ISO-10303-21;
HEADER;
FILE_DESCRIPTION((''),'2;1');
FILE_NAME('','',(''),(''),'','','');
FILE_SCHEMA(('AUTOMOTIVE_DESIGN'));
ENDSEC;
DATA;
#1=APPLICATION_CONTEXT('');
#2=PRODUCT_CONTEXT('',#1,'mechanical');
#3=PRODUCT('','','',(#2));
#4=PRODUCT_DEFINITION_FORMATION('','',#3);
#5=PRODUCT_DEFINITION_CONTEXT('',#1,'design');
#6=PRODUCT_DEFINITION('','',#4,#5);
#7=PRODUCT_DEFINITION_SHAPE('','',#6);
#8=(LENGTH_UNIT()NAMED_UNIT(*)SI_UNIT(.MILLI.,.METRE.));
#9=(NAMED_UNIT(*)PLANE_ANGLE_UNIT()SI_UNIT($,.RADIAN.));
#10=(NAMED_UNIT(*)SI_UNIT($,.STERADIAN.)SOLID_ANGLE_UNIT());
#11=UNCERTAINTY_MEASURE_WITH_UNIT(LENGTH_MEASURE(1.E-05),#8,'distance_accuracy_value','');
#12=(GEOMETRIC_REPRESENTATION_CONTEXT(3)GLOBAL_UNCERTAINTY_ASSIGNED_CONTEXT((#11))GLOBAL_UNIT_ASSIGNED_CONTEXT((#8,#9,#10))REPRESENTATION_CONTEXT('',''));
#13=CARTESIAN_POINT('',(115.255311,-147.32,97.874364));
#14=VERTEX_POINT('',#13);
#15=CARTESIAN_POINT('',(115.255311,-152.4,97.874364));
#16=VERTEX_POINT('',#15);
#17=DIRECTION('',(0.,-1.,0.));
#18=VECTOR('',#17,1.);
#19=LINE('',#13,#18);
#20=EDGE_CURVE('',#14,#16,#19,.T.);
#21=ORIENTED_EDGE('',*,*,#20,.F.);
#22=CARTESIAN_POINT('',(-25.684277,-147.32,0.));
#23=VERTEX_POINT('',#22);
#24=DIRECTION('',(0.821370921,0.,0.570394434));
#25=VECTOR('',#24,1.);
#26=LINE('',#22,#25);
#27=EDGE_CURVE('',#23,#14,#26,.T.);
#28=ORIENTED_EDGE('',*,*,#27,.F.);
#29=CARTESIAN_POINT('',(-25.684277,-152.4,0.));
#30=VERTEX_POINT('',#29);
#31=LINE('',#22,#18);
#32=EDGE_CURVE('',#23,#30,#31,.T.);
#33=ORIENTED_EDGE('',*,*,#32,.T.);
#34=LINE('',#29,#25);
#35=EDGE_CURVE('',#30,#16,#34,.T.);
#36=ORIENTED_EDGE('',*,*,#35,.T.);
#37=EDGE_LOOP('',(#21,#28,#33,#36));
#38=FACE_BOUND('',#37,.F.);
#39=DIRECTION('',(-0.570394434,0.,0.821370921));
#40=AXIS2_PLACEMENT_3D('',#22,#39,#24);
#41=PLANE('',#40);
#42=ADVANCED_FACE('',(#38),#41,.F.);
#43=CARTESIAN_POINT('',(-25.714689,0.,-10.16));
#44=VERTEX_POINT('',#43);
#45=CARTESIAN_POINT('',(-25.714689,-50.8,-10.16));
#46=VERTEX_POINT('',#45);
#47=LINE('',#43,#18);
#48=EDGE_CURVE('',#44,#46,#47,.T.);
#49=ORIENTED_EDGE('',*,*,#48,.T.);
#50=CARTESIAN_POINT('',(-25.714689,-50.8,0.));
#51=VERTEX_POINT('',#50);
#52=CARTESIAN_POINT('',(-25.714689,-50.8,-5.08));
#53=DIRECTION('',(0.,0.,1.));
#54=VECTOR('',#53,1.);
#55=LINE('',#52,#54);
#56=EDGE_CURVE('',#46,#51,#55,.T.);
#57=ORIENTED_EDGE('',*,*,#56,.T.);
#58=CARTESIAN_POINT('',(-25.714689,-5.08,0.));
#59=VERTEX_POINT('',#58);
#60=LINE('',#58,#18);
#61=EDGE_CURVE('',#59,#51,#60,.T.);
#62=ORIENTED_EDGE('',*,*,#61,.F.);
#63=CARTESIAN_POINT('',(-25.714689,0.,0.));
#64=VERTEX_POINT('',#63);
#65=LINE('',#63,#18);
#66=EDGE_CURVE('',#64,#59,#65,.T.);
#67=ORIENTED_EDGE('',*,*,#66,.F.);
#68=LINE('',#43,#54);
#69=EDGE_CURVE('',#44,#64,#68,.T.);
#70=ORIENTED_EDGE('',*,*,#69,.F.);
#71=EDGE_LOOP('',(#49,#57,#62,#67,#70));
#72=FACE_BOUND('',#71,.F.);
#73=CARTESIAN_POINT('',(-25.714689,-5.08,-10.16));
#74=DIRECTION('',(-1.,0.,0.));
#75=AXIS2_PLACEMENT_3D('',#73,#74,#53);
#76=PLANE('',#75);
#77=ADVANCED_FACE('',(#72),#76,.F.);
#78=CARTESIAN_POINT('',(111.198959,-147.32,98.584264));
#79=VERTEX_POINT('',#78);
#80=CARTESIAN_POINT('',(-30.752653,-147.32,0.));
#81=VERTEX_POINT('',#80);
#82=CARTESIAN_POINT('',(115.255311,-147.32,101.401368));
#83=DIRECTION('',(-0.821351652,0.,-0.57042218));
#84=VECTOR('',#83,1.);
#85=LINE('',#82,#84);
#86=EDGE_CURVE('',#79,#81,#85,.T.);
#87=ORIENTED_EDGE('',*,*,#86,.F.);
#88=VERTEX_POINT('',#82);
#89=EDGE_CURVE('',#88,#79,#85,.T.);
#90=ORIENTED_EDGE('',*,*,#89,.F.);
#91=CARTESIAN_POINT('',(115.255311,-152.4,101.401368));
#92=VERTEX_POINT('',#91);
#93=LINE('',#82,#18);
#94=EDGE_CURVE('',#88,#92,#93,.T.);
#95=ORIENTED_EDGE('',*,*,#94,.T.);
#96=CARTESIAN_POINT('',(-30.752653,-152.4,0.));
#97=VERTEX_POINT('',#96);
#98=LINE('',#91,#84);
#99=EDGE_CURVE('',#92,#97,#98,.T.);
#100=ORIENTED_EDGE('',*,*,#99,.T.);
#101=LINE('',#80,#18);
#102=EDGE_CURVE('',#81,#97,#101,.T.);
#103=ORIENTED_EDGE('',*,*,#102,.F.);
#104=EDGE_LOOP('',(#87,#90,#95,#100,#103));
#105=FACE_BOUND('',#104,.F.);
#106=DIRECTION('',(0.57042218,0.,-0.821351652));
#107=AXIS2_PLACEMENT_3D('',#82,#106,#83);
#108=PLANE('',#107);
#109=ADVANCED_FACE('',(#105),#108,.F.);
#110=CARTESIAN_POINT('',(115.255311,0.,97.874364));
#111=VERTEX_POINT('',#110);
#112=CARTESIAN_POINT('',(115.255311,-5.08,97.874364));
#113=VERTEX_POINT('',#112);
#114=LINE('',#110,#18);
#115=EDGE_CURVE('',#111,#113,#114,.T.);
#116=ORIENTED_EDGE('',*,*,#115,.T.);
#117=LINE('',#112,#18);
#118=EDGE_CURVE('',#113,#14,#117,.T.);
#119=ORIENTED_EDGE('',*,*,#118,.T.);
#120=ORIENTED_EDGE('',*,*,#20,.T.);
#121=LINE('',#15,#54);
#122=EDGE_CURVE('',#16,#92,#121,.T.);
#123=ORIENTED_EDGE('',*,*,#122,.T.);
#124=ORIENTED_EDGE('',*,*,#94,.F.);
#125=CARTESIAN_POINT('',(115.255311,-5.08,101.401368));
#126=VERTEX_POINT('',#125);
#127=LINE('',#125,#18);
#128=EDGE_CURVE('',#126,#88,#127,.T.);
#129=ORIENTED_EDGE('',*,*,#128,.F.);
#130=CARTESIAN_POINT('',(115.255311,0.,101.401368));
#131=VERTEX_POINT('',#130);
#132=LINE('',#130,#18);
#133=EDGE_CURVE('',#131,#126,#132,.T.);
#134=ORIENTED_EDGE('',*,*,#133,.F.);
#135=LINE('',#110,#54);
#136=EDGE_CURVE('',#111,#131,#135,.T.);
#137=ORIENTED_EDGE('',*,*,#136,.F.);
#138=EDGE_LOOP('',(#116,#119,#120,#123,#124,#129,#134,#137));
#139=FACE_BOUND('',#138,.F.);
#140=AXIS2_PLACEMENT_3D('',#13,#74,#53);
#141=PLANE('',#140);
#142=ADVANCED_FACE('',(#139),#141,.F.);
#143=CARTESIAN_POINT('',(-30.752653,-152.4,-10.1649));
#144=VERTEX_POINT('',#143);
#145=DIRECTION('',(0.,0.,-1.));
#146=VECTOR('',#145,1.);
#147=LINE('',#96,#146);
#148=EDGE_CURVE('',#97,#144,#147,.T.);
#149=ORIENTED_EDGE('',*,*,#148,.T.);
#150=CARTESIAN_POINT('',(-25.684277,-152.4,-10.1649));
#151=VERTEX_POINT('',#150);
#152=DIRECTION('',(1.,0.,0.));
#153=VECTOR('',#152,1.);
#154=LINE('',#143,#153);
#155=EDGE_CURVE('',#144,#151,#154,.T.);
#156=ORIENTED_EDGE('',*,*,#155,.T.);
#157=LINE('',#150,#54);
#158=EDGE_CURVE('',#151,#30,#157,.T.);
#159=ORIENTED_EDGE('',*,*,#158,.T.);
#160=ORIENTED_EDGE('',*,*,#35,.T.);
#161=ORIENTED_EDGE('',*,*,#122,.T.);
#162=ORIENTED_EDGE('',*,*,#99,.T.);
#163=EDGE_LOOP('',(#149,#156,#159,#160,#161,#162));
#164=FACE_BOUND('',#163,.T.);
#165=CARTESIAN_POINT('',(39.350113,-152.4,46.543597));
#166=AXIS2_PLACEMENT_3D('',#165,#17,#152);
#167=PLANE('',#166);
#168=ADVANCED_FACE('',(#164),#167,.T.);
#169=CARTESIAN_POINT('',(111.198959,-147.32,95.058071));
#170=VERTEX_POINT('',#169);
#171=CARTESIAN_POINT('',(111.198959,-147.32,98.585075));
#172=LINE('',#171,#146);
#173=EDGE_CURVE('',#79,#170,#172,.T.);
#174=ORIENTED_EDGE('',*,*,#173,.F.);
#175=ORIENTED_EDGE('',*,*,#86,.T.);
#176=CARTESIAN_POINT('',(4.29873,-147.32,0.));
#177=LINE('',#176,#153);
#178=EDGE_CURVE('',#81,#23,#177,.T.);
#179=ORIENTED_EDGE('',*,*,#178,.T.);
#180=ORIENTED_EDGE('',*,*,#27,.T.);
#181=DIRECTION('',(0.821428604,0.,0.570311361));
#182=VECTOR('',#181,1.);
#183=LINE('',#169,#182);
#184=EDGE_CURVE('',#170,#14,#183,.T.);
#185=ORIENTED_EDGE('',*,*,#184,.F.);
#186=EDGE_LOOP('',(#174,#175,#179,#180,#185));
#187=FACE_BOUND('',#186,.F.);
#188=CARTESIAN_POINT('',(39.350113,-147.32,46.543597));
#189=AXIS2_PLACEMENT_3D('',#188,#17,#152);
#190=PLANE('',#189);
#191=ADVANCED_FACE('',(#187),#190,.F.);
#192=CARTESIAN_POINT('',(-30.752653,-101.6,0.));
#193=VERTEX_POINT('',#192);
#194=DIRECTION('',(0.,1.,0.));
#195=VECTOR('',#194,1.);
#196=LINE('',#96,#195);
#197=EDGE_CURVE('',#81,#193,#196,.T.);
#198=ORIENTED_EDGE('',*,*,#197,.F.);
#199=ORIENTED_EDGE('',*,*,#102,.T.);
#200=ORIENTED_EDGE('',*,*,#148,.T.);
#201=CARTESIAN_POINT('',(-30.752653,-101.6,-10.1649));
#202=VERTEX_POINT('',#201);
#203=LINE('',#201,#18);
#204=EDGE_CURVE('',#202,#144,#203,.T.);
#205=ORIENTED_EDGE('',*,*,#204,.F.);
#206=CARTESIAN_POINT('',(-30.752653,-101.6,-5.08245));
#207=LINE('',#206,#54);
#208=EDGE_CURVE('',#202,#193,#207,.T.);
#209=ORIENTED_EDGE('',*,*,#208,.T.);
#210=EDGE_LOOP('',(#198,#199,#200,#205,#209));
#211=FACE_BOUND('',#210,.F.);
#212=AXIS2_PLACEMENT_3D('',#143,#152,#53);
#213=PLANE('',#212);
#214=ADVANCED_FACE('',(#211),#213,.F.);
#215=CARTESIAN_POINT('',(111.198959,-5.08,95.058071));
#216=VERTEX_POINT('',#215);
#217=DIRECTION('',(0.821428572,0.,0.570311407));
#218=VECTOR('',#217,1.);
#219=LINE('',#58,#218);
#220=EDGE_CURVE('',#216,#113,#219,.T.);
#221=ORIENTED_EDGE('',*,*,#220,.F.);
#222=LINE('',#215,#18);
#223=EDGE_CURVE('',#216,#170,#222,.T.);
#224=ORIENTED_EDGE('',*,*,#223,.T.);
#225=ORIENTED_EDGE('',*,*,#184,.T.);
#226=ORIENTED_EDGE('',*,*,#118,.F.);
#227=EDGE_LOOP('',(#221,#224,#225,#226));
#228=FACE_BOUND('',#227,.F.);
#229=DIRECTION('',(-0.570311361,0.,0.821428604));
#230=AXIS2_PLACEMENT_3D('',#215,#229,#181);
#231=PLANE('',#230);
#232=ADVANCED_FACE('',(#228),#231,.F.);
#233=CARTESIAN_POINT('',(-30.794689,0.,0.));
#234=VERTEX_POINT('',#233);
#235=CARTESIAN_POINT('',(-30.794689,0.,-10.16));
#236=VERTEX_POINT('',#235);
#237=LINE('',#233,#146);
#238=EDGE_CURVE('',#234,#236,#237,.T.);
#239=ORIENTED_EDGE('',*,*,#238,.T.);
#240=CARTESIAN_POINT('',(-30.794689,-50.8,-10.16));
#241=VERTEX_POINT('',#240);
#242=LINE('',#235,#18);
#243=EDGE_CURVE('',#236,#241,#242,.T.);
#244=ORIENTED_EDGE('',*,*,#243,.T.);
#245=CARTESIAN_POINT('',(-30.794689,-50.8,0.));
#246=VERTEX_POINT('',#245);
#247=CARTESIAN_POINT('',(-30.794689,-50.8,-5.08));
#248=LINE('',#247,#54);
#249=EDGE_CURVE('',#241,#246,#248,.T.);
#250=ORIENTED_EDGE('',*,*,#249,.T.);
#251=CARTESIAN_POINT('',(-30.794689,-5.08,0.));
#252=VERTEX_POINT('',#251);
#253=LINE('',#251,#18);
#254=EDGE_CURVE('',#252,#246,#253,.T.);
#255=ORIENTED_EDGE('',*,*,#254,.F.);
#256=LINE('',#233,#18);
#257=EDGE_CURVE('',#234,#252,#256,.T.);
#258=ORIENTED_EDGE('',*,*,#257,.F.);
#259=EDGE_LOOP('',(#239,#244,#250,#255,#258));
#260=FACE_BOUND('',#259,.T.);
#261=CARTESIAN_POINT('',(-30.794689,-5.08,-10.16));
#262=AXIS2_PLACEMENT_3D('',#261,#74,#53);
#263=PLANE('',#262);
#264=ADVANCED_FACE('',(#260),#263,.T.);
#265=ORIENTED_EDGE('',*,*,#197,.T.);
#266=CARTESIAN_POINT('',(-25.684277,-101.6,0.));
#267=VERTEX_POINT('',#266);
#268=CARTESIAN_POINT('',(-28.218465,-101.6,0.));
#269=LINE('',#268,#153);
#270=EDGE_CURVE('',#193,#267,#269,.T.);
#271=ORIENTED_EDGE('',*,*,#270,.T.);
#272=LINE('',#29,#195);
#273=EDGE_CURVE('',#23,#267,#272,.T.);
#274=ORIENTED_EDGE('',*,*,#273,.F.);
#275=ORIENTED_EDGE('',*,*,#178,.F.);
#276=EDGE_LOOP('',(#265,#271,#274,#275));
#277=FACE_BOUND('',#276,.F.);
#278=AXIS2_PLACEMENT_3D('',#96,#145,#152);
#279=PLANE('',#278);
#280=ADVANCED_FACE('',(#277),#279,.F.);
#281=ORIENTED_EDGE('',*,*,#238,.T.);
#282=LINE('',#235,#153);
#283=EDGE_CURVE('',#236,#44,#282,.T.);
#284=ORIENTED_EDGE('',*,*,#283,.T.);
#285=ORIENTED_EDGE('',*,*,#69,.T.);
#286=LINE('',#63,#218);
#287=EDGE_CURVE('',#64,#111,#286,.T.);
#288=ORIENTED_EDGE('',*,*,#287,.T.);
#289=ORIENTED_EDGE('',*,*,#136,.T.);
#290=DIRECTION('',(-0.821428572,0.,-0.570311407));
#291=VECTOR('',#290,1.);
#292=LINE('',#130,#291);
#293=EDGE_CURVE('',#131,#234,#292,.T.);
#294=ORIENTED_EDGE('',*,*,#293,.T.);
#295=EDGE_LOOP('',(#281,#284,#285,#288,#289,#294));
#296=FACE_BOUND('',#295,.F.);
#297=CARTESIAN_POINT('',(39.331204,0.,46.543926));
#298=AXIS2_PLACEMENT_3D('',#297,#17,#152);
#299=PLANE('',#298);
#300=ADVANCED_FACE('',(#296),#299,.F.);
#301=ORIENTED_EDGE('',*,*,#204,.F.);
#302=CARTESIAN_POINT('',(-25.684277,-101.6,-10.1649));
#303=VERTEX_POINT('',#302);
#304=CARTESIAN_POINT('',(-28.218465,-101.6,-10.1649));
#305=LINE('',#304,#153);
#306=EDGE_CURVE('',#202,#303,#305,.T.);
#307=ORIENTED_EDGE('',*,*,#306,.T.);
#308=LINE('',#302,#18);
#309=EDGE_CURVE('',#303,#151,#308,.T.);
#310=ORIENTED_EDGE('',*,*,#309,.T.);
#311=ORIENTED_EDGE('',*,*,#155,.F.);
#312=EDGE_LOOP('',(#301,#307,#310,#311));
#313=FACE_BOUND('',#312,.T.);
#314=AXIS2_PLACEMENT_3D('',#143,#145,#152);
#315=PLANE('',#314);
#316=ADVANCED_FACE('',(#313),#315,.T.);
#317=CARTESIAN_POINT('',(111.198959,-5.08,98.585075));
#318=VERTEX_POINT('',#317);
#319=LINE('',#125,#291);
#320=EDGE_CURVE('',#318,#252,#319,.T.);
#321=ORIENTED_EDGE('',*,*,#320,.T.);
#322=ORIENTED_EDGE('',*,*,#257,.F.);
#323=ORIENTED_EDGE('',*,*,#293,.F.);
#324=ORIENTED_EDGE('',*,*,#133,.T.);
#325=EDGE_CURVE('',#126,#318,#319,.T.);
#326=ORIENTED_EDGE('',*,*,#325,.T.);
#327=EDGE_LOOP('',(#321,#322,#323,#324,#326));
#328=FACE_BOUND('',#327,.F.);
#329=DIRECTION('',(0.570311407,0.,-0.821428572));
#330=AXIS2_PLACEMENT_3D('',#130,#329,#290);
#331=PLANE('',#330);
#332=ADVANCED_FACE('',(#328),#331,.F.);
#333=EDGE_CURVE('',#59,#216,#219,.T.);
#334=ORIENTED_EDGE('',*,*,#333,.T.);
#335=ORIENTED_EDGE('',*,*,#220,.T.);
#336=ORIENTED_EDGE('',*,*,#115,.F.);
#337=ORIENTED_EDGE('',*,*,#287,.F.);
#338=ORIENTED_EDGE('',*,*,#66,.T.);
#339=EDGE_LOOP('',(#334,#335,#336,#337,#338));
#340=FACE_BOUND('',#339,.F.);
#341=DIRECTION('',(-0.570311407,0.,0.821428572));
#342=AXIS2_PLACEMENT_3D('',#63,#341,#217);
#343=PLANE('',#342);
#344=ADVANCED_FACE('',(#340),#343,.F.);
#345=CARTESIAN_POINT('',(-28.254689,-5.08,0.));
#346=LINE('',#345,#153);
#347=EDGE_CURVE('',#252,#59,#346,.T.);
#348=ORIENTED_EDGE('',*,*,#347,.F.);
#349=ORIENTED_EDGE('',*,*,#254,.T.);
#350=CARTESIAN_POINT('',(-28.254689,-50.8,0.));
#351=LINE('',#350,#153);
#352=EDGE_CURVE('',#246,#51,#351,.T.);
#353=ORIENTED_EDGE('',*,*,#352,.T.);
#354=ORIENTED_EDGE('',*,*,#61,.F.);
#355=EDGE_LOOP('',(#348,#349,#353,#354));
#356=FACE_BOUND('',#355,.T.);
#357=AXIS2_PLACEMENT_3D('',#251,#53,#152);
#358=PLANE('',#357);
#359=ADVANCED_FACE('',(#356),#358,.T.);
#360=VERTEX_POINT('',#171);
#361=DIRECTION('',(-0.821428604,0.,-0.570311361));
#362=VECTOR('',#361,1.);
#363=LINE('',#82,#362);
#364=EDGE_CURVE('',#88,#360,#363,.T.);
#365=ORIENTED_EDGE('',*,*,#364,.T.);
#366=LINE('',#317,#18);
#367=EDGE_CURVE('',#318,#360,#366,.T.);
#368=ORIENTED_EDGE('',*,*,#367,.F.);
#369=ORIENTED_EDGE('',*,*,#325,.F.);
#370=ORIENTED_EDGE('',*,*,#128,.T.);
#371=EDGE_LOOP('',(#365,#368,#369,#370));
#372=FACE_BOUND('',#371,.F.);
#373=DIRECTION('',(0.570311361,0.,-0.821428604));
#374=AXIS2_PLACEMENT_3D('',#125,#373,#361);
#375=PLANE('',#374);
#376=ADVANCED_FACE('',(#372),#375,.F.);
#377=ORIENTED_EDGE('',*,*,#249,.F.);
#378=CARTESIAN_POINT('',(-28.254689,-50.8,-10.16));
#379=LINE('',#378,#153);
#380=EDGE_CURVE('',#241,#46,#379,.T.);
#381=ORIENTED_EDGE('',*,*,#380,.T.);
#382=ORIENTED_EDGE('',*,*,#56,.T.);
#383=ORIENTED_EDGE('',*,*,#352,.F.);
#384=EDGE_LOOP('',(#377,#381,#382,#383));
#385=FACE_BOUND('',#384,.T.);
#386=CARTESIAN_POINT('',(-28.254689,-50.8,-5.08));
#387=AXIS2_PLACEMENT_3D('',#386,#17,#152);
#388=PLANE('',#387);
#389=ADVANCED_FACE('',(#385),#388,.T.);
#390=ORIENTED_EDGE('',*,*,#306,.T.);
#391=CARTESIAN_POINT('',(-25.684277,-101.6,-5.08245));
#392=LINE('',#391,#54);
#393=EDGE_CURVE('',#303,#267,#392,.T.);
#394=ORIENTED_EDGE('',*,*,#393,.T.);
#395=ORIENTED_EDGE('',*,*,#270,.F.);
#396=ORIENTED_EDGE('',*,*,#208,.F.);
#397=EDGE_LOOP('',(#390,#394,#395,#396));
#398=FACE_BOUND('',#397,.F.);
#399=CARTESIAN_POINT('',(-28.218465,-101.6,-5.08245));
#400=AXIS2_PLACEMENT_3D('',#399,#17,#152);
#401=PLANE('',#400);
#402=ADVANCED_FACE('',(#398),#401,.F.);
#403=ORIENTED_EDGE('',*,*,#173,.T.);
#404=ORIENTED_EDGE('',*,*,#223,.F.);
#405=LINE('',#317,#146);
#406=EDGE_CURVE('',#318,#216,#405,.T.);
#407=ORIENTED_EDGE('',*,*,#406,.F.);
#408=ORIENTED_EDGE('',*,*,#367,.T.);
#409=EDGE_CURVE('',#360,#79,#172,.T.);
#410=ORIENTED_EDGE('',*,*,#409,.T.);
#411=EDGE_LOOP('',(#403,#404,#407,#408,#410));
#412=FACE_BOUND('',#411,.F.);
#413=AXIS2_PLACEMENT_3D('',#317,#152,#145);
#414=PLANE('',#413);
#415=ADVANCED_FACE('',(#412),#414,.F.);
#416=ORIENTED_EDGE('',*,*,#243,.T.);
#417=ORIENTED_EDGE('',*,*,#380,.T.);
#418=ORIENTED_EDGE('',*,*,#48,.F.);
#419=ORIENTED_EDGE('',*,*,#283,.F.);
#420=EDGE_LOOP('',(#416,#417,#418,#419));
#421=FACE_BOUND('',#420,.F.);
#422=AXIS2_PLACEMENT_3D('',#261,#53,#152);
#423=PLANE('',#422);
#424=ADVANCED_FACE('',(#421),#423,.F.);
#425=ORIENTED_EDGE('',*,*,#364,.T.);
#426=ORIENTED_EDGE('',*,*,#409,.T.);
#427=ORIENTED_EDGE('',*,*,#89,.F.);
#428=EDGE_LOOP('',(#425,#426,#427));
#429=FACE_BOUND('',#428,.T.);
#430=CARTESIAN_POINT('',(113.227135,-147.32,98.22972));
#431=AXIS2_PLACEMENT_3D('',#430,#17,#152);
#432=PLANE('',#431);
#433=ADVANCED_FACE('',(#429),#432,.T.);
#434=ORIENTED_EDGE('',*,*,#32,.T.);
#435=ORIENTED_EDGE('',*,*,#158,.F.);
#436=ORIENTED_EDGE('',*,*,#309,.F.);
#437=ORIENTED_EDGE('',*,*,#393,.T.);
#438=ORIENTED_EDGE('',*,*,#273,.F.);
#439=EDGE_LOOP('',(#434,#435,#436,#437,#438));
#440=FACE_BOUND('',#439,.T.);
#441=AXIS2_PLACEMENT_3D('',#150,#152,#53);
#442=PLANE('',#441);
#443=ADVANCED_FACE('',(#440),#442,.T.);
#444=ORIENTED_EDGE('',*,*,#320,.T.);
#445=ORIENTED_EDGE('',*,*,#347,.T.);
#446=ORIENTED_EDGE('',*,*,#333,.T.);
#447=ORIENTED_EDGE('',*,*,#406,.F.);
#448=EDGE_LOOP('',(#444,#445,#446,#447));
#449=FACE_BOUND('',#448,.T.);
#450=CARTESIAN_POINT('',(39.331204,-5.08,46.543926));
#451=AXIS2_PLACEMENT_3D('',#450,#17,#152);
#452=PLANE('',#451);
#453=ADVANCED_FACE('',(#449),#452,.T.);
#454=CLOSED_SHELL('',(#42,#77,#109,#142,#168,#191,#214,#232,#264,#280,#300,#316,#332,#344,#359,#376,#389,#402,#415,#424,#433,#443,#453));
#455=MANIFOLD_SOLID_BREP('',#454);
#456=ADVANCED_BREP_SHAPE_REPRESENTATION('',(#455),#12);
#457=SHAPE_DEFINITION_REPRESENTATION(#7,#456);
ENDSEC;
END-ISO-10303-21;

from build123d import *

# Parameters (mm, degrees)
F1_DEPTH = 5.08
F2_W     = 5.08
F2_H     = 10.16
F3_DEPTH = 45.72
F4_DEPTH = 142.24
F6_DEPTH = 5.08
F7_W     = 5.068376
F7_H     = 10.1649
F8_DEPTH = 50.8


with BuildPart() as f1:
    # F0 (on Front) → F1 (new body)
    with BuildSketch(Plane.XZ):
        Polygon((115.255311, 101.401368), (-30.794689, 0), (-30.794689, -10.16), (-25.714689, -10.16), (-25.714689, 0), (115.255311, 97.874364), align=None)
    extrude(amount=F1_DEPTH)

    # F2 (on face) → F3 (join)
    with BuildSketch(Plane.XZ.offset(5.08)):
        with Locations((-28.254689, -5.08)):
            Rectangle(F2_W, F2_H)
    extrude(amount=F3_DEPTH)

    # F2 (on face) → F4 (join)
    with BuildSketch(Plane.XZ.offset(5.08)):
        Polygon((115.255311, 101.401368), (111.198959, 98.585075), (111.198959, 95.058071), (115.255311, 97.874364), align=None)
    extrude(amount=F4_DEPTH)

    # F5 (on face) → F6 (join)
    with BuildSketch(Plane.XZ.offset(147.32)):
        Polygon((115.255311, 97.874364), (115.255311, 101.401368), (-30.752653, 0), (-30.752653, -10.1649), (-25.684277, -10.1649), (-25.684277, 0), align=None)
    extrude(amount=F6_DEPTH)

    # F7 (on face) → F8 (join)
    with BuildSketch(Plane.XZ.offset(152.4)):
        with Locations((-28.218465, -5.08245)):
            Rectangle(F7_W, F7_H)
    extrude(amount=-F8_DEPTH)


solid = f1.part
